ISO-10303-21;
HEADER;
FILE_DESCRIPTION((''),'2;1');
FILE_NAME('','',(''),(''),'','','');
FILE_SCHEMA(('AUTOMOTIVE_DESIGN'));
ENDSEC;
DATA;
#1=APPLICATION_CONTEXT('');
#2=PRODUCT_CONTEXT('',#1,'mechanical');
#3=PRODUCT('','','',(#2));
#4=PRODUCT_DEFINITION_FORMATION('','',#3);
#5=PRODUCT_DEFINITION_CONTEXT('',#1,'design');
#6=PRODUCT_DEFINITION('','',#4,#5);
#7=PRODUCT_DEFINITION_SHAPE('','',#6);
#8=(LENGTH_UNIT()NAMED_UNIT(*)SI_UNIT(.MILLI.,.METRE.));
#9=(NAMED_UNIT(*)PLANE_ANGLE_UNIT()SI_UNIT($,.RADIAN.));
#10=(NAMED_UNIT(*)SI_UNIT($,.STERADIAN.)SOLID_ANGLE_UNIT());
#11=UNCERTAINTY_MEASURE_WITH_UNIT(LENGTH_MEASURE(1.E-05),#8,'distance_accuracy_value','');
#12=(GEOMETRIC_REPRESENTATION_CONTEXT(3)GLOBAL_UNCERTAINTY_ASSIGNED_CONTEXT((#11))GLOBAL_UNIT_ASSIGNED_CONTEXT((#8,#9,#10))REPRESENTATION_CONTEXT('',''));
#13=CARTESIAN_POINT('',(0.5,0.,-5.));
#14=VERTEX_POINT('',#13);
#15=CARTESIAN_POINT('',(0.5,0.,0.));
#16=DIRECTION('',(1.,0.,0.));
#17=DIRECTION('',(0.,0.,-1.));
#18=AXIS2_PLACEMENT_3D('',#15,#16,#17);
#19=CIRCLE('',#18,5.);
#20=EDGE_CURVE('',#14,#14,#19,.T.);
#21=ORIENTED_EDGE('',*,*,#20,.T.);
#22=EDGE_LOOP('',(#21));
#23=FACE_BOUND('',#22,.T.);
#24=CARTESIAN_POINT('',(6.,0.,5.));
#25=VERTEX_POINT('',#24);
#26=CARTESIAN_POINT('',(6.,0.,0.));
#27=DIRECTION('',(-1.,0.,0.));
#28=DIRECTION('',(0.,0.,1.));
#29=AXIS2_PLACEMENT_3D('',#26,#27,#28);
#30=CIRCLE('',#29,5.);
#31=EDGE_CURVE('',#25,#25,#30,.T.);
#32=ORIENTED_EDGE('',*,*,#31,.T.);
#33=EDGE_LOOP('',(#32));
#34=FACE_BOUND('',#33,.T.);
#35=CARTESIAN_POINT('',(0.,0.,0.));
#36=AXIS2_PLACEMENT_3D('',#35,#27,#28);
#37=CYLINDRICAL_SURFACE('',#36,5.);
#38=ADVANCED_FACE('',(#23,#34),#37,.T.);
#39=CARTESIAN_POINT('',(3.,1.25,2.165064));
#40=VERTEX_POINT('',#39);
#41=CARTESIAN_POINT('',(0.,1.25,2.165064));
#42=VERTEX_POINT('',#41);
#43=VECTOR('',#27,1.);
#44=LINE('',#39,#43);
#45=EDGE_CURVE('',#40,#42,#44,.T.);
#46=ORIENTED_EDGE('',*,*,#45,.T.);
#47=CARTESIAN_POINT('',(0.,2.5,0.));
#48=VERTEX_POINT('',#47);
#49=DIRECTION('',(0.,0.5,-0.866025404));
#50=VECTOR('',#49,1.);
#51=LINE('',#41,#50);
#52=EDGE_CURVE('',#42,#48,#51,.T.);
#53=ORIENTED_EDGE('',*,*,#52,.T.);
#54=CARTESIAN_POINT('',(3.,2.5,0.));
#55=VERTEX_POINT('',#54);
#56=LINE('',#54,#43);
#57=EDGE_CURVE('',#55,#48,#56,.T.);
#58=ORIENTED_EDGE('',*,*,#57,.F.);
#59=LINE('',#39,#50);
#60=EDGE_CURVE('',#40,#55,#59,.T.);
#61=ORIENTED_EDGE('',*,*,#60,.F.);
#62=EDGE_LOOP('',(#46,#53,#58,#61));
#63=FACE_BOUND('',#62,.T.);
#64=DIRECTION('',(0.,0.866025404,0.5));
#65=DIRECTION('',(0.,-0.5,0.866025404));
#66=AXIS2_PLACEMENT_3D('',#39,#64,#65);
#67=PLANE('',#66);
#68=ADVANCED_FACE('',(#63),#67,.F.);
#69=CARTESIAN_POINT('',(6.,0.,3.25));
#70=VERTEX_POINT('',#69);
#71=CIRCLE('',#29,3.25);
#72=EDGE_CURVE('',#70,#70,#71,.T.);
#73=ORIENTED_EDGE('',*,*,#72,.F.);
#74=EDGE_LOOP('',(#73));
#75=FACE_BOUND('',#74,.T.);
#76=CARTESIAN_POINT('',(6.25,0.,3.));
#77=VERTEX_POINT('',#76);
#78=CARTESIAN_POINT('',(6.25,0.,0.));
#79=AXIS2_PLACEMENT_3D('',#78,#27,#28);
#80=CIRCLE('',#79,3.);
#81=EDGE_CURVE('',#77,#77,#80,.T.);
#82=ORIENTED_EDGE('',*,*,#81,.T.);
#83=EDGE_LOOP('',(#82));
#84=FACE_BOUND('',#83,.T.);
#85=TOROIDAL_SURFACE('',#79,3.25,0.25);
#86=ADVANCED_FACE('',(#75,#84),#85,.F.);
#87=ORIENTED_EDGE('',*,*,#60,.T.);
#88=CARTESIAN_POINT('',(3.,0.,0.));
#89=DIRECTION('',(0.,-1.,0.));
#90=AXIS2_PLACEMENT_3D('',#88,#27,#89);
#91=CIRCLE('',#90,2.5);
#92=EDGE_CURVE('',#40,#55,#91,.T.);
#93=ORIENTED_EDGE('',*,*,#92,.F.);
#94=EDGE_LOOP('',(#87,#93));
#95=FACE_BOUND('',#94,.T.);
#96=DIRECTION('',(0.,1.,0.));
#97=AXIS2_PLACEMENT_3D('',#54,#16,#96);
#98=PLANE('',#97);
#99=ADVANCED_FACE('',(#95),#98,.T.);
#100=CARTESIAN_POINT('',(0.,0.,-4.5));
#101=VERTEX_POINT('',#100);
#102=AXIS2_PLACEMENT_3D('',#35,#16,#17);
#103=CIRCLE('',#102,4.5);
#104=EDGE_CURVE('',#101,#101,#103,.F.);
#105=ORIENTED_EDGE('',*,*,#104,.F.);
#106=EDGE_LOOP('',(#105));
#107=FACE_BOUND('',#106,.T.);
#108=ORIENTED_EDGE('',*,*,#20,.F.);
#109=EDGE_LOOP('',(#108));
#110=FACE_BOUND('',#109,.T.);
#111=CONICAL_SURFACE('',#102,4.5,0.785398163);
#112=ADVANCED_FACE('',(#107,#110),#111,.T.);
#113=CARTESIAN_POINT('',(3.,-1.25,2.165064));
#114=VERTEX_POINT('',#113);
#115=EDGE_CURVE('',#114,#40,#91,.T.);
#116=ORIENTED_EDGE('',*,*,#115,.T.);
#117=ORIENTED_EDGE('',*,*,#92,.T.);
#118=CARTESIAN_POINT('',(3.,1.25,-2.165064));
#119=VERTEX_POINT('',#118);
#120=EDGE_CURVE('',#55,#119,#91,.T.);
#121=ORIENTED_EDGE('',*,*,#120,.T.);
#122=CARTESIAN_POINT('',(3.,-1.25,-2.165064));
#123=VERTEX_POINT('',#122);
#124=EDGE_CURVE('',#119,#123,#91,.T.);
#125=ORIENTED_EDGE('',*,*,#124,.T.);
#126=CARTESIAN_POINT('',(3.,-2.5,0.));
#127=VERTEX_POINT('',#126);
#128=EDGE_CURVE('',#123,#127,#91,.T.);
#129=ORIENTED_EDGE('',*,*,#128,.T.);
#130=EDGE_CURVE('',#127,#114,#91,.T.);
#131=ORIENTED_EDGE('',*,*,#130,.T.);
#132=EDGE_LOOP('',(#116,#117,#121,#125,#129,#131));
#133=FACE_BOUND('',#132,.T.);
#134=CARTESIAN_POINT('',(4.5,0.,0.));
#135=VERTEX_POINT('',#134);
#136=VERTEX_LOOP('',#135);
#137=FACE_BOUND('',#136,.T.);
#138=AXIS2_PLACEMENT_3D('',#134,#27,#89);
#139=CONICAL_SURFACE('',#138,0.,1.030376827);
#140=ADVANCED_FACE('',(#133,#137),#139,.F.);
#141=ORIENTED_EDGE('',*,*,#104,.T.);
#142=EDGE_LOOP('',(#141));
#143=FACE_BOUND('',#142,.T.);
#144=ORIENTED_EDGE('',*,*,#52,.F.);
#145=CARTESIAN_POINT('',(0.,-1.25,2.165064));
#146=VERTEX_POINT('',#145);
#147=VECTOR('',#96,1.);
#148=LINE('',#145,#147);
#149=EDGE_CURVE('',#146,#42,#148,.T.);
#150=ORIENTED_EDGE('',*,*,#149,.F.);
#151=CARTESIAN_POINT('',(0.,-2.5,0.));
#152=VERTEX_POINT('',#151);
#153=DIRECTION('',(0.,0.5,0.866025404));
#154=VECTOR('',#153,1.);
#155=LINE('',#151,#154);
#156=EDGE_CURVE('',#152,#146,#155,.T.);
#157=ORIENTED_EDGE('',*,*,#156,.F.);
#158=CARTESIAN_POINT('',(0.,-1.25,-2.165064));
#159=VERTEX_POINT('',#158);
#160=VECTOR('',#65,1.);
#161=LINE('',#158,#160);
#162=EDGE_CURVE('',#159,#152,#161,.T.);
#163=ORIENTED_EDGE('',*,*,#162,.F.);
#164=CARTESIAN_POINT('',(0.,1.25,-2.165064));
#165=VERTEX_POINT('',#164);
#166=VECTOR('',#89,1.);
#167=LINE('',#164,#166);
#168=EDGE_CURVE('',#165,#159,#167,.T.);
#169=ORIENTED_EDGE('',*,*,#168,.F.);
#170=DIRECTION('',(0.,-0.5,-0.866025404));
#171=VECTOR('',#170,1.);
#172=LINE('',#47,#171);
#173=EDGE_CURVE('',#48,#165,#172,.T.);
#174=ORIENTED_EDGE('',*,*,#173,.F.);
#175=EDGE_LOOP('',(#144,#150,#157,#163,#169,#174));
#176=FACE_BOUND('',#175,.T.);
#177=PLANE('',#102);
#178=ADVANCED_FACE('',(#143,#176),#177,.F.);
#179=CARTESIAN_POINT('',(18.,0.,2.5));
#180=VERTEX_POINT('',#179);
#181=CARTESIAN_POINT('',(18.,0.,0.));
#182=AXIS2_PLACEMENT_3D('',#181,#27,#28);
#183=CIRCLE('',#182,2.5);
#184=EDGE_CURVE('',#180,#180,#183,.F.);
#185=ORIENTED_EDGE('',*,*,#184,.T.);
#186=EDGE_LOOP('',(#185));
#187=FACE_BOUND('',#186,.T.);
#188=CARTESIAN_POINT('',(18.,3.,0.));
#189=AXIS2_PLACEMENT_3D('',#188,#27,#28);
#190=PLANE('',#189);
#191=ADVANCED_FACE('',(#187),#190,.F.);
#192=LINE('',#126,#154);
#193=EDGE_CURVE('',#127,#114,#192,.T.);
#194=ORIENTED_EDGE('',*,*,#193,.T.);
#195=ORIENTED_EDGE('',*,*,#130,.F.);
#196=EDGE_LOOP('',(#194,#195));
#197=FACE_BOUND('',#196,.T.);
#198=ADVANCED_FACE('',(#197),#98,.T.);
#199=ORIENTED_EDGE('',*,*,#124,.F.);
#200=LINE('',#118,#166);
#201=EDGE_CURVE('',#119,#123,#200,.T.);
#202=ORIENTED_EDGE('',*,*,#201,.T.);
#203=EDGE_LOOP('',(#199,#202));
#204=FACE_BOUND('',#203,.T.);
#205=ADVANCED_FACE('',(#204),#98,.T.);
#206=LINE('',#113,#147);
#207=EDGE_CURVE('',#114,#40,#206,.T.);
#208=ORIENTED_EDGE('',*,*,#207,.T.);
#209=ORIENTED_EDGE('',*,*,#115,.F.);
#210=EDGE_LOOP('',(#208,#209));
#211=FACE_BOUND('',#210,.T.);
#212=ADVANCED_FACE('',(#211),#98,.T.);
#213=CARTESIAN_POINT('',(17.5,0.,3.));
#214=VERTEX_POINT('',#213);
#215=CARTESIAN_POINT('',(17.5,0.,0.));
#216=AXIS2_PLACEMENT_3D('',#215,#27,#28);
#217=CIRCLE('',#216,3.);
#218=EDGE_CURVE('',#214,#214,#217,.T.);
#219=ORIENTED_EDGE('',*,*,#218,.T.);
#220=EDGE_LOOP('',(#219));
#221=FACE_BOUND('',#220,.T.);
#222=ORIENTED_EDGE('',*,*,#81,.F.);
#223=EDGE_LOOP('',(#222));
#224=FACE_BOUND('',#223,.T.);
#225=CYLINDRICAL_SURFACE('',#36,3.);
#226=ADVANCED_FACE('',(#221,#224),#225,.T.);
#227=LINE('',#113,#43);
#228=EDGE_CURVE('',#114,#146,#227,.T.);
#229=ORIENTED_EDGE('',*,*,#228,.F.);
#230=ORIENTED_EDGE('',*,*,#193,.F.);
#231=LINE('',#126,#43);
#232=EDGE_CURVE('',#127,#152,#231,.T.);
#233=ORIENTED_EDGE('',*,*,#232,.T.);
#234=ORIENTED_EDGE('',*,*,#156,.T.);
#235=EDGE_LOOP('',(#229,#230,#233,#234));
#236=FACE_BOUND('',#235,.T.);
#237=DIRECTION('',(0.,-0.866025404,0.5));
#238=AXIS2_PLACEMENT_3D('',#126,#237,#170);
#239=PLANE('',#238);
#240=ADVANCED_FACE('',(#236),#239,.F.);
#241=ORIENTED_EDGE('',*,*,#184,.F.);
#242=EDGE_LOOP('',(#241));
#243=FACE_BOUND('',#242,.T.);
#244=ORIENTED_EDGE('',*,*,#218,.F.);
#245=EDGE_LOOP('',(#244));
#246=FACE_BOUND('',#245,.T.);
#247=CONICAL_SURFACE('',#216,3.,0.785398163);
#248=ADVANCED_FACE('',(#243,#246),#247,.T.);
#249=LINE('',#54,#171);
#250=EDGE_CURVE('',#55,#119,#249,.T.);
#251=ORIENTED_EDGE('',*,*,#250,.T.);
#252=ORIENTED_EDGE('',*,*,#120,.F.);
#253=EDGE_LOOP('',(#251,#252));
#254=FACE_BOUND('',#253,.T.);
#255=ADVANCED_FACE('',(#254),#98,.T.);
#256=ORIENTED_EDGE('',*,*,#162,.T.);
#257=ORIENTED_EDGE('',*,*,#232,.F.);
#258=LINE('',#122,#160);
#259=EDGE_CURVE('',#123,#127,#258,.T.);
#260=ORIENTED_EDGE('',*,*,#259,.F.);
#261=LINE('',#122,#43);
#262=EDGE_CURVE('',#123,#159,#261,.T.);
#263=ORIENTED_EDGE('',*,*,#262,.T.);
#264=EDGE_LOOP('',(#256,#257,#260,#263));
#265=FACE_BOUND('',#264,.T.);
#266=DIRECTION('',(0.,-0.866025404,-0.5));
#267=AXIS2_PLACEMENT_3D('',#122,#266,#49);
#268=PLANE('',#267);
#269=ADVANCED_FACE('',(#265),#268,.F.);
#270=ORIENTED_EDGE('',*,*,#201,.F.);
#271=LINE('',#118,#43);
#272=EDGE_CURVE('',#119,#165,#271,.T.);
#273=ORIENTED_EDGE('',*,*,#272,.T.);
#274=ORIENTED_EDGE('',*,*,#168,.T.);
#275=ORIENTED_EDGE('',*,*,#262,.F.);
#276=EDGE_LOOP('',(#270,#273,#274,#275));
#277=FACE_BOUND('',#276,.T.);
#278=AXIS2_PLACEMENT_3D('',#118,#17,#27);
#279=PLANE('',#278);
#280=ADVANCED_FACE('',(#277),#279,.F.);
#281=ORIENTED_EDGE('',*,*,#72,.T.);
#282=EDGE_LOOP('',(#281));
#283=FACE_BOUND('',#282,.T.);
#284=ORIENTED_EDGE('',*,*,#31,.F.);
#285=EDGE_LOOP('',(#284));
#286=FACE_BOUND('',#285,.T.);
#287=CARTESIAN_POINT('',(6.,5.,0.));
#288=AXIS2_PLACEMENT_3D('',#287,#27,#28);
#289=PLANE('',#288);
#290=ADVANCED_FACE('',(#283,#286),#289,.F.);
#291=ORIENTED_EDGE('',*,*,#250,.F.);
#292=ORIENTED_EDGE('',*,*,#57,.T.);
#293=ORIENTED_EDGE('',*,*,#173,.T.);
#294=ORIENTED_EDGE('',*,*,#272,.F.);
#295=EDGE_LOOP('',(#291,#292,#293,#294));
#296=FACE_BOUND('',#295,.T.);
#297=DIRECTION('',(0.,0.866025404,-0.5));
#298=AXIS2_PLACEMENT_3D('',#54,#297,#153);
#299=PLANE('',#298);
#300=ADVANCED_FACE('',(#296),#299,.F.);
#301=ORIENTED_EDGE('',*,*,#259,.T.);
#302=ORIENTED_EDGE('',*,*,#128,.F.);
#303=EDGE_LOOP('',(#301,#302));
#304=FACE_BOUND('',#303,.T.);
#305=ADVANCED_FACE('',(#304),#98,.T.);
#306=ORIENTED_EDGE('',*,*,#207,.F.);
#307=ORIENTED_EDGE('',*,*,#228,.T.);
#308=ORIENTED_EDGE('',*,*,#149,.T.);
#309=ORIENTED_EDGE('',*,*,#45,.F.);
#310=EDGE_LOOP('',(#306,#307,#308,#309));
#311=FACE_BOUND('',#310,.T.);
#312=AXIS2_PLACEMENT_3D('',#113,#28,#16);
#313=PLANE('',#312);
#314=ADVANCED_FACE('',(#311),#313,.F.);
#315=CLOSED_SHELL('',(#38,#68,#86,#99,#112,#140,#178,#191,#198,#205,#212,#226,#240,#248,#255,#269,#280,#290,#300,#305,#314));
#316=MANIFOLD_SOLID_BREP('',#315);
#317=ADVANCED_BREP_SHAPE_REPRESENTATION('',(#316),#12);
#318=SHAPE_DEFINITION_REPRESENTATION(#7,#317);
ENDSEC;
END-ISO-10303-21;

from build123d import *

# Parameters (mm, degrees)
CHAMFER1_SIZE      = 0.5
CUT_EXTRUDE1_DEPTH = 3


with BuildPart() as part:
    # Sketch1 → Revolve1 (revolve)
    with BuildSketch(Plane.XY, mode=Mode.PRIVATE) as revolve1_sk:
        with BuildLine():
            Line((0, 0), (0, 5))
            Line((0, 5), (6, 5))
            Line((6, 5), (6, 3.25))
            ThreePointArc((6, 3.25), (6.073223305, 3.073223305), (6.25, 3))
            Line((6.25, 3), (18, 3))
            Line((18, 3), (18, 0))
            Line((18, 0), (0, 0))
        make_face()
    revolve(revolve1_sk.sketch.rotate(Axis((0, 0, 0), (1, 0, 0)), 90), axis=Axis((0, 0, 0), (1, 0, 0)))

    # Chamfer1
    chamfer1_edges = [part.edges().sort_by_distance(p)[0] for p in [
        (0, 0, -5),
        (18, 0, -3),
    ]]
    chamfer(chamfer1_edges, length=CHAMFER1_SIZE)

    # Sketch2 → Cut-Extrude1 (cut)
    with BuildSketch(Plane.ZY):
        Polygon((0, -2.5), (2.165063509, -1.25), (2.165063509, 1.25), (0, 2.5), (-2.165063509, 1.25), (-2.165063509, -1.25), align=None)
    extrude(amount=-CUT_EXTRUDE1_DEPTH, mode=Mode.SUBTRACT)

    # Sketch3 → Cut-Revolve1 (revolve, cut)
    with BuildSketch(Plane.XY, mode=Mode.PRIVATE) as cut_revolve1_sk:
        Polygon((3, 2.5), (3, 0), (4.5, 0), align=None)
    revolve(cut_revolve1_sk.sketch.rotate(Axis((3, 0, 0), (1, 0, 0)), 270), axis=Axis((3, 0, 0), (1, 0, 0)), mode=Mode.SUBTRACT)


solid = part.part
